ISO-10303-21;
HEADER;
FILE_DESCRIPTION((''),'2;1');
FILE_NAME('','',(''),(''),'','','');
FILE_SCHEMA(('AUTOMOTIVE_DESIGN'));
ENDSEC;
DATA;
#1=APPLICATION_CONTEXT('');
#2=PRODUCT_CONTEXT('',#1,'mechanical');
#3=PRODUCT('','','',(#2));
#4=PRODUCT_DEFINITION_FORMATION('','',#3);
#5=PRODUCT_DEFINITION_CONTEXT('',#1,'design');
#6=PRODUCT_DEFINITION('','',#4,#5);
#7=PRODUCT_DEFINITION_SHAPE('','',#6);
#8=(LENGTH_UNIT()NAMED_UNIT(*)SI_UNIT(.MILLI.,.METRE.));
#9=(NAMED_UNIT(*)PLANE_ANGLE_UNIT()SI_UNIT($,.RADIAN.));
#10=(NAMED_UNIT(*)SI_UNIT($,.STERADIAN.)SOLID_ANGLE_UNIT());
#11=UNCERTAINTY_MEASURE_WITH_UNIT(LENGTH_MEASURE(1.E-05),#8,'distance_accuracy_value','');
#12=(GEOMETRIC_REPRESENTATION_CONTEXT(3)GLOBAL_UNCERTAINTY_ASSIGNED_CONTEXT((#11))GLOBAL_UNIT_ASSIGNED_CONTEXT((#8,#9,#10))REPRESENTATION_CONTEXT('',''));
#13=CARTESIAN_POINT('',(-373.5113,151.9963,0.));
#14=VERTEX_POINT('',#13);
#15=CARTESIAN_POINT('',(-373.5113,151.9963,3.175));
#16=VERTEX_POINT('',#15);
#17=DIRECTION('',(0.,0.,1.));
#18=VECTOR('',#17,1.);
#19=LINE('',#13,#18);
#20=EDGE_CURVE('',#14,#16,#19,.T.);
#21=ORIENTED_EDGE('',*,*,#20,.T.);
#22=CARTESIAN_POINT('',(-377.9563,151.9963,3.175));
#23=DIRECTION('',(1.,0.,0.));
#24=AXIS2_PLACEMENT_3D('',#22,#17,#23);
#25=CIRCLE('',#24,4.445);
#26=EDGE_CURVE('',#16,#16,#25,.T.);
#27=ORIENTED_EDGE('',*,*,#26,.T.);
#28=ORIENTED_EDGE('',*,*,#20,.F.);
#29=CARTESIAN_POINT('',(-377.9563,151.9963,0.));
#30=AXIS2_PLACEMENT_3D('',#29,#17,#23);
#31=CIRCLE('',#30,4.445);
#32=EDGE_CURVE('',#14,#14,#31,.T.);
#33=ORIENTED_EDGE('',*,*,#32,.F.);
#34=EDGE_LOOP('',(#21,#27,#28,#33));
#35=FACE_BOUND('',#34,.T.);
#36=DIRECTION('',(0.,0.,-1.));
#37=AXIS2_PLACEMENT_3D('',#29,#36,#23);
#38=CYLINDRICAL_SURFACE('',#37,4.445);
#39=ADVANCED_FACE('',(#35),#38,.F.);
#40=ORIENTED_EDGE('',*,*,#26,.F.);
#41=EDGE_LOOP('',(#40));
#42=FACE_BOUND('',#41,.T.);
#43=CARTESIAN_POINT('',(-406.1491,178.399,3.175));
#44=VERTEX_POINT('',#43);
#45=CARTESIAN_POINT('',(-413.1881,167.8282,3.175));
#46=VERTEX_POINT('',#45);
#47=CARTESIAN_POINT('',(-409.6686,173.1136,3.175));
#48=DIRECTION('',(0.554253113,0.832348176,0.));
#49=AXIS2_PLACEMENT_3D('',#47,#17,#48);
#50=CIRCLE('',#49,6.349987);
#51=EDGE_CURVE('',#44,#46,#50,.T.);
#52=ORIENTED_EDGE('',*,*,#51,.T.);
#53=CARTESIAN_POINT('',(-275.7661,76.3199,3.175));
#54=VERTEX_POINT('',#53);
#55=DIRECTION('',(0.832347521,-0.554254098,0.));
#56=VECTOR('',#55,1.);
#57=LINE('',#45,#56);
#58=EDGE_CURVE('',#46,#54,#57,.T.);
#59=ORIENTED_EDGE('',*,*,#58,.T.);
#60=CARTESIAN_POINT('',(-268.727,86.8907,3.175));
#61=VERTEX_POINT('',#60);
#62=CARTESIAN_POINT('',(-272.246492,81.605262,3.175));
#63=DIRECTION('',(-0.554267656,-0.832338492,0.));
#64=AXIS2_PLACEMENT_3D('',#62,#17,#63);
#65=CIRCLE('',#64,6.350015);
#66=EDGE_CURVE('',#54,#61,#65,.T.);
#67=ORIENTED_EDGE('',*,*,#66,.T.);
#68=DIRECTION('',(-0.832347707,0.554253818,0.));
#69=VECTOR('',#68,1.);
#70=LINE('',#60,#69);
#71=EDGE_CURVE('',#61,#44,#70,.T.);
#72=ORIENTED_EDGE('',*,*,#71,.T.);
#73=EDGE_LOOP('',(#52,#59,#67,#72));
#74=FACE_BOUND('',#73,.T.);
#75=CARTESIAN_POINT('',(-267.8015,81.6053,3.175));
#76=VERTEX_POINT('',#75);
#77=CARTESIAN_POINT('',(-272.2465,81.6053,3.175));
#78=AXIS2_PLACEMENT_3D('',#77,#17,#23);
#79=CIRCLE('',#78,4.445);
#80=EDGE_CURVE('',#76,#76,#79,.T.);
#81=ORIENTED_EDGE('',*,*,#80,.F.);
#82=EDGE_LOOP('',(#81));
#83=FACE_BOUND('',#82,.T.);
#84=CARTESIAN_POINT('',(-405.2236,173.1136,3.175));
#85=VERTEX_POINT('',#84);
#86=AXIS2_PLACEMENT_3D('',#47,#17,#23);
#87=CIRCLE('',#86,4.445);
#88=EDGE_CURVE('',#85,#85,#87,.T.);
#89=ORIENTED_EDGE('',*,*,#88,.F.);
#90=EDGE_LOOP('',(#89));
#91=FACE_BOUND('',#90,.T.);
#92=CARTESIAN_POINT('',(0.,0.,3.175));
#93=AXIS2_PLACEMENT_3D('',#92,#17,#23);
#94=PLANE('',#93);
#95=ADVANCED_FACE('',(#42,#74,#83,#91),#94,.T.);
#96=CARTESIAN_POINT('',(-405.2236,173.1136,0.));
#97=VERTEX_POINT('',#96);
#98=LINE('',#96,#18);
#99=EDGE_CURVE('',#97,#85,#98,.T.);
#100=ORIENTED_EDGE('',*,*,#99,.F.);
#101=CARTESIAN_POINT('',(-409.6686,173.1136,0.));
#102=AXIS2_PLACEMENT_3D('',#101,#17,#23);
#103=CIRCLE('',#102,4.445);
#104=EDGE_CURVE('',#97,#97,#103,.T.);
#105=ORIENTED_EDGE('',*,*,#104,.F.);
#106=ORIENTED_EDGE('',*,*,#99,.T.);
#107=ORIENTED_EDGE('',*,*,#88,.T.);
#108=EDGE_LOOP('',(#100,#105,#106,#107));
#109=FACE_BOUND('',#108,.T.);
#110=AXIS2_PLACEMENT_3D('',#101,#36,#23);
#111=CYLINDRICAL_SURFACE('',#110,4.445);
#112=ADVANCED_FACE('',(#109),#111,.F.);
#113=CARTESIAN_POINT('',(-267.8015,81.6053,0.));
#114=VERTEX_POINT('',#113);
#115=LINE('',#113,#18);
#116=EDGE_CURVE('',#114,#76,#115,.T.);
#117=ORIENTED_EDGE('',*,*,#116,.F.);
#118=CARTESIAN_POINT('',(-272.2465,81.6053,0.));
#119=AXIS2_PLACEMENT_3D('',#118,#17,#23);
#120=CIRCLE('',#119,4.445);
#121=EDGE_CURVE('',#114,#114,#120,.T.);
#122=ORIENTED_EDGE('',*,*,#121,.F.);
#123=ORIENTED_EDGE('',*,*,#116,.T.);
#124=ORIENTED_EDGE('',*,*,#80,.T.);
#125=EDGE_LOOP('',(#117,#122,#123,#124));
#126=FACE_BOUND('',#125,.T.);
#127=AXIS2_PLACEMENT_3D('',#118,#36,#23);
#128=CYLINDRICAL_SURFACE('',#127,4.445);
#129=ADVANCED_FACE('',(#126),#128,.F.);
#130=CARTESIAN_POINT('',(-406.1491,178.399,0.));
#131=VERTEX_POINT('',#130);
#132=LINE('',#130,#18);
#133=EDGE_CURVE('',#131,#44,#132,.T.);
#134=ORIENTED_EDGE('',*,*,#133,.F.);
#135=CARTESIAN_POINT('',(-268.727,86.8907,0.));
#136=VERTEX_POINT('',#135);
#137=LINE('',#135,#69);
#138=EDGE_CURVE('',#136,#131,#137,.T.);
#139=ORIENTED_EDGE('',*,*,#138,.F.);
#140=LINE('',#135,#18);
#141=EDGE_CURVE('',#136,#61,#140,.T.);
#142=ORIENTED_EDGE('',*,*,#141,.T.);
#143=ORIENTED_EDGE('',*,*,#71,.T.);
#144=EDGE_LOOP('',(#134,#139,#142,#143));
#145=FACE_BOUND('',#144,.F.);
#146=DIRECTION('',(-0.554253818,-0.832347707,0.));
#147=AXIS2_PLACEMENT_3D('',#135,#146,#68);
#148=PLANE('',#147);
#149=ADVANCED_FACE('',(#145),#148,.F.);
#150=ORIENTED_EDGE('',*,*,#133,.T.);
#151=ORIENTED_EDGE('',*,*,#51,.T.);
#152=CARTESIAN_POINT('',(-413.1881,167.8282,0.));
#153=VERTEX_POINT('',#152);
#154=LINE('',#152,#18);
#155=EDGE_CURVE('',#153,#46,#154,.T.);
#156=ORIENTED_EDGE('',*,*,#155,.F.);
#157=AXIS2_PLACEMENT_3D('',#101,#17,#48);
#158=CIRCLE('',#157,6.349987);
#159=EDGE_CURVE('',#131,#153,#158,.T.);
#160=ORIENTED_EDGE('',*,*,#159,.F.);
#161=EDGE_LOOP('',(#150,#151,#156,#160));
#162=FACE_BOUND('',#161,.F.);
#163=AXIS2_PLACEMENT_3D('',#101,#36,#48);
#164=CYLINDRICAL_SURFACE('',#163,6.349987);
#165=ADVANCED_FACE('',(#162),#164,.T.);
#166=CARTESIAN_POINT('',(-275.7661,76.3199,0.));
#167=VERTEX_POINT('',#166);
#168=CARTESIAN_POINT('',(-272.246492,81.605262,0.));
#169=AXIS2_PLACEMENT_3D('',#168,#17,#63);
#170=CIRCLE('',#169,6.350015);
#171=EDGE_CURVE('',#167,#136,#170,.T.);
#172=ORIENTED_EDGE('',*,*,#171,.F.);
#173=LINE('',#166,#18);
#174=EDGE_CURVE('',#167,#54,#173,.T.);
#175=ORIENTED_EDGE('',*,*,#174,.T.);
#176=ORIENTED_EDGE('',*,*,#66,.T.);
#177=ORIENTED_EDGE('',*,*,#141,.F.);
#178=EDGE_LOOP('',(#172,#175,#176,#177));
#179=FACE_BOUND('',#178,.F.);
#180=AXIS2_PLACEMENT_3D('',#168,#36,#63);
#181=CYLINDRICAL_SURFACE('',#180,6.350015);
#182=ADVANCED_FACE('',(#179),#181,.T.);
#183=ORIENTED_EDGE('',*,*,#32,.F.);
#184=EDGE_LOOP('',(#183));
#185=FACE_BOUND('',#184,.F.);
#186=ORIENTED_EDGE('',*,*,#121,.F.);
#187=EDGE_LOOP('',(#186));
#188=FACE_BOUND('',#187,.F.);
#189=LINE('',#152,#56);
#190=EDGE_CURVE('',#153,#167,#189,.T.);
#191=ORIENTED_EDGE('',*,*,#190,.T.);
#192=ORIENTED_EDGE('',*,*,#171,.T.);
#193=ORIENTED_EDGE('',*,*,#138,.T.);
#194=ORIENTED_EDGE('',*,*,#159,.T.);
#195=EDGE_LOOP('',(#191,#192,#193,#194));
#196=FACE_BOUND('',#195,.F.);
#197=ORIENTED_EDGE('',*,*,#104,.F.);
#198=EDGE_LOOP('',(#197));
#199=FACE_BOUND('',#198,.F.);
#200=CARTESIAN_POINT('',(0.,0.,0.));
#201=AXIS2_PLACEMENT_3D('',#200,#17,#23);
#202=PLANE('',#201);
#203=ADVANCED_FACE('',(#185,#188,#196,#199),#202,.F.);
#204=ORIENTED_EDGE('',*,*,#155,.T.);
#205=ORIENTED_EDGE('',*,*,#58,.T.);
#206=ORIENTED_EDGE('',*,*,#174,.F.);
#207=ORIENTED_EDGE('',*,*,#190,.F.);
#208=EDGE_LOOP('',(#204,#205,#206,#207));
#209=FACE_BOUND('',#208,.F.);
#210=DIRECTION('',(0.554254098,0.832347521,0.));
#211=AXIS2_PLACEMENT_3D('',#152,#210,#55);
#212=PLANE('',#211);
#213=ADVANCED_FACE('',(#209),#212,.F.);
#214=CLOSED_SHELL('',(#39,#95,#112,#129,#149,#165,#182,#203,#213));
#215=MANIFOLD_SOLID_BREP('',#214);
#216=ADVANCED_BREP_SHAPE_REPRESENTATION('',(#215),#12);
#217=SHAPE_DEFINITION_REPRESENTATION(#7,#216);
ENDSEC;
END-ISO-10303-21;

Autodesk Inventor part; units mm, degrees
ref_plane "YZ Plane" through (0, 0, 0) normal (1, 0, 0) x (0, 1, 0)
ref_plane "XZ Plane" through (0, 0, 0) normal (0, 1, 0) x (-1, 0, 0)
ref_plane "XY Plane" through (0, 0, 0) normal (0, 0, 1) x (1, 0, 0)
sketch "Sketch1" plane through (0, 0, 0) normal (0, 0, 1) x (1, 0, 0)
  circle A0 centre (-377.9563, 151.9963) radius 4.445
  circle A1 centre (-272.2465, 81.6053) radius 4.445
  circle A2 centre (-409.6686, 173.1136) radius 4.445
  line L0 (-413.1881, 167.8282) -> (-275.7661, 76.3199) projected
  arc A3 (-406.1491, 178.399) -> (-413.1881, 167.8282) centre (-409.6686, 173.1136) ccw projected
  line L1 (-268.727, 86.8907) -> (-406.1491, 178.399) projected
  arc A4 (-275.7661, 76.3199) -> (-268.727, 86.8907) centre (-272.2465, 81.6053) ccw projected
  circle A5 centre (-358.9063, 119.0008) radius 4.445 construction
  point P0 (0, 0)
  dimension "d0" = 8.89
  dimension "d1" = 8.89
  dimension "d2" = 8.89
  dimension "d3" = 8.89
extrude "Extrusion1" add sketch "Sketch1" along normal blind 3.175
equation "\"d0\" = d3"
equation "\"d1\" = d3"
equation "\"d2\" = d3"
